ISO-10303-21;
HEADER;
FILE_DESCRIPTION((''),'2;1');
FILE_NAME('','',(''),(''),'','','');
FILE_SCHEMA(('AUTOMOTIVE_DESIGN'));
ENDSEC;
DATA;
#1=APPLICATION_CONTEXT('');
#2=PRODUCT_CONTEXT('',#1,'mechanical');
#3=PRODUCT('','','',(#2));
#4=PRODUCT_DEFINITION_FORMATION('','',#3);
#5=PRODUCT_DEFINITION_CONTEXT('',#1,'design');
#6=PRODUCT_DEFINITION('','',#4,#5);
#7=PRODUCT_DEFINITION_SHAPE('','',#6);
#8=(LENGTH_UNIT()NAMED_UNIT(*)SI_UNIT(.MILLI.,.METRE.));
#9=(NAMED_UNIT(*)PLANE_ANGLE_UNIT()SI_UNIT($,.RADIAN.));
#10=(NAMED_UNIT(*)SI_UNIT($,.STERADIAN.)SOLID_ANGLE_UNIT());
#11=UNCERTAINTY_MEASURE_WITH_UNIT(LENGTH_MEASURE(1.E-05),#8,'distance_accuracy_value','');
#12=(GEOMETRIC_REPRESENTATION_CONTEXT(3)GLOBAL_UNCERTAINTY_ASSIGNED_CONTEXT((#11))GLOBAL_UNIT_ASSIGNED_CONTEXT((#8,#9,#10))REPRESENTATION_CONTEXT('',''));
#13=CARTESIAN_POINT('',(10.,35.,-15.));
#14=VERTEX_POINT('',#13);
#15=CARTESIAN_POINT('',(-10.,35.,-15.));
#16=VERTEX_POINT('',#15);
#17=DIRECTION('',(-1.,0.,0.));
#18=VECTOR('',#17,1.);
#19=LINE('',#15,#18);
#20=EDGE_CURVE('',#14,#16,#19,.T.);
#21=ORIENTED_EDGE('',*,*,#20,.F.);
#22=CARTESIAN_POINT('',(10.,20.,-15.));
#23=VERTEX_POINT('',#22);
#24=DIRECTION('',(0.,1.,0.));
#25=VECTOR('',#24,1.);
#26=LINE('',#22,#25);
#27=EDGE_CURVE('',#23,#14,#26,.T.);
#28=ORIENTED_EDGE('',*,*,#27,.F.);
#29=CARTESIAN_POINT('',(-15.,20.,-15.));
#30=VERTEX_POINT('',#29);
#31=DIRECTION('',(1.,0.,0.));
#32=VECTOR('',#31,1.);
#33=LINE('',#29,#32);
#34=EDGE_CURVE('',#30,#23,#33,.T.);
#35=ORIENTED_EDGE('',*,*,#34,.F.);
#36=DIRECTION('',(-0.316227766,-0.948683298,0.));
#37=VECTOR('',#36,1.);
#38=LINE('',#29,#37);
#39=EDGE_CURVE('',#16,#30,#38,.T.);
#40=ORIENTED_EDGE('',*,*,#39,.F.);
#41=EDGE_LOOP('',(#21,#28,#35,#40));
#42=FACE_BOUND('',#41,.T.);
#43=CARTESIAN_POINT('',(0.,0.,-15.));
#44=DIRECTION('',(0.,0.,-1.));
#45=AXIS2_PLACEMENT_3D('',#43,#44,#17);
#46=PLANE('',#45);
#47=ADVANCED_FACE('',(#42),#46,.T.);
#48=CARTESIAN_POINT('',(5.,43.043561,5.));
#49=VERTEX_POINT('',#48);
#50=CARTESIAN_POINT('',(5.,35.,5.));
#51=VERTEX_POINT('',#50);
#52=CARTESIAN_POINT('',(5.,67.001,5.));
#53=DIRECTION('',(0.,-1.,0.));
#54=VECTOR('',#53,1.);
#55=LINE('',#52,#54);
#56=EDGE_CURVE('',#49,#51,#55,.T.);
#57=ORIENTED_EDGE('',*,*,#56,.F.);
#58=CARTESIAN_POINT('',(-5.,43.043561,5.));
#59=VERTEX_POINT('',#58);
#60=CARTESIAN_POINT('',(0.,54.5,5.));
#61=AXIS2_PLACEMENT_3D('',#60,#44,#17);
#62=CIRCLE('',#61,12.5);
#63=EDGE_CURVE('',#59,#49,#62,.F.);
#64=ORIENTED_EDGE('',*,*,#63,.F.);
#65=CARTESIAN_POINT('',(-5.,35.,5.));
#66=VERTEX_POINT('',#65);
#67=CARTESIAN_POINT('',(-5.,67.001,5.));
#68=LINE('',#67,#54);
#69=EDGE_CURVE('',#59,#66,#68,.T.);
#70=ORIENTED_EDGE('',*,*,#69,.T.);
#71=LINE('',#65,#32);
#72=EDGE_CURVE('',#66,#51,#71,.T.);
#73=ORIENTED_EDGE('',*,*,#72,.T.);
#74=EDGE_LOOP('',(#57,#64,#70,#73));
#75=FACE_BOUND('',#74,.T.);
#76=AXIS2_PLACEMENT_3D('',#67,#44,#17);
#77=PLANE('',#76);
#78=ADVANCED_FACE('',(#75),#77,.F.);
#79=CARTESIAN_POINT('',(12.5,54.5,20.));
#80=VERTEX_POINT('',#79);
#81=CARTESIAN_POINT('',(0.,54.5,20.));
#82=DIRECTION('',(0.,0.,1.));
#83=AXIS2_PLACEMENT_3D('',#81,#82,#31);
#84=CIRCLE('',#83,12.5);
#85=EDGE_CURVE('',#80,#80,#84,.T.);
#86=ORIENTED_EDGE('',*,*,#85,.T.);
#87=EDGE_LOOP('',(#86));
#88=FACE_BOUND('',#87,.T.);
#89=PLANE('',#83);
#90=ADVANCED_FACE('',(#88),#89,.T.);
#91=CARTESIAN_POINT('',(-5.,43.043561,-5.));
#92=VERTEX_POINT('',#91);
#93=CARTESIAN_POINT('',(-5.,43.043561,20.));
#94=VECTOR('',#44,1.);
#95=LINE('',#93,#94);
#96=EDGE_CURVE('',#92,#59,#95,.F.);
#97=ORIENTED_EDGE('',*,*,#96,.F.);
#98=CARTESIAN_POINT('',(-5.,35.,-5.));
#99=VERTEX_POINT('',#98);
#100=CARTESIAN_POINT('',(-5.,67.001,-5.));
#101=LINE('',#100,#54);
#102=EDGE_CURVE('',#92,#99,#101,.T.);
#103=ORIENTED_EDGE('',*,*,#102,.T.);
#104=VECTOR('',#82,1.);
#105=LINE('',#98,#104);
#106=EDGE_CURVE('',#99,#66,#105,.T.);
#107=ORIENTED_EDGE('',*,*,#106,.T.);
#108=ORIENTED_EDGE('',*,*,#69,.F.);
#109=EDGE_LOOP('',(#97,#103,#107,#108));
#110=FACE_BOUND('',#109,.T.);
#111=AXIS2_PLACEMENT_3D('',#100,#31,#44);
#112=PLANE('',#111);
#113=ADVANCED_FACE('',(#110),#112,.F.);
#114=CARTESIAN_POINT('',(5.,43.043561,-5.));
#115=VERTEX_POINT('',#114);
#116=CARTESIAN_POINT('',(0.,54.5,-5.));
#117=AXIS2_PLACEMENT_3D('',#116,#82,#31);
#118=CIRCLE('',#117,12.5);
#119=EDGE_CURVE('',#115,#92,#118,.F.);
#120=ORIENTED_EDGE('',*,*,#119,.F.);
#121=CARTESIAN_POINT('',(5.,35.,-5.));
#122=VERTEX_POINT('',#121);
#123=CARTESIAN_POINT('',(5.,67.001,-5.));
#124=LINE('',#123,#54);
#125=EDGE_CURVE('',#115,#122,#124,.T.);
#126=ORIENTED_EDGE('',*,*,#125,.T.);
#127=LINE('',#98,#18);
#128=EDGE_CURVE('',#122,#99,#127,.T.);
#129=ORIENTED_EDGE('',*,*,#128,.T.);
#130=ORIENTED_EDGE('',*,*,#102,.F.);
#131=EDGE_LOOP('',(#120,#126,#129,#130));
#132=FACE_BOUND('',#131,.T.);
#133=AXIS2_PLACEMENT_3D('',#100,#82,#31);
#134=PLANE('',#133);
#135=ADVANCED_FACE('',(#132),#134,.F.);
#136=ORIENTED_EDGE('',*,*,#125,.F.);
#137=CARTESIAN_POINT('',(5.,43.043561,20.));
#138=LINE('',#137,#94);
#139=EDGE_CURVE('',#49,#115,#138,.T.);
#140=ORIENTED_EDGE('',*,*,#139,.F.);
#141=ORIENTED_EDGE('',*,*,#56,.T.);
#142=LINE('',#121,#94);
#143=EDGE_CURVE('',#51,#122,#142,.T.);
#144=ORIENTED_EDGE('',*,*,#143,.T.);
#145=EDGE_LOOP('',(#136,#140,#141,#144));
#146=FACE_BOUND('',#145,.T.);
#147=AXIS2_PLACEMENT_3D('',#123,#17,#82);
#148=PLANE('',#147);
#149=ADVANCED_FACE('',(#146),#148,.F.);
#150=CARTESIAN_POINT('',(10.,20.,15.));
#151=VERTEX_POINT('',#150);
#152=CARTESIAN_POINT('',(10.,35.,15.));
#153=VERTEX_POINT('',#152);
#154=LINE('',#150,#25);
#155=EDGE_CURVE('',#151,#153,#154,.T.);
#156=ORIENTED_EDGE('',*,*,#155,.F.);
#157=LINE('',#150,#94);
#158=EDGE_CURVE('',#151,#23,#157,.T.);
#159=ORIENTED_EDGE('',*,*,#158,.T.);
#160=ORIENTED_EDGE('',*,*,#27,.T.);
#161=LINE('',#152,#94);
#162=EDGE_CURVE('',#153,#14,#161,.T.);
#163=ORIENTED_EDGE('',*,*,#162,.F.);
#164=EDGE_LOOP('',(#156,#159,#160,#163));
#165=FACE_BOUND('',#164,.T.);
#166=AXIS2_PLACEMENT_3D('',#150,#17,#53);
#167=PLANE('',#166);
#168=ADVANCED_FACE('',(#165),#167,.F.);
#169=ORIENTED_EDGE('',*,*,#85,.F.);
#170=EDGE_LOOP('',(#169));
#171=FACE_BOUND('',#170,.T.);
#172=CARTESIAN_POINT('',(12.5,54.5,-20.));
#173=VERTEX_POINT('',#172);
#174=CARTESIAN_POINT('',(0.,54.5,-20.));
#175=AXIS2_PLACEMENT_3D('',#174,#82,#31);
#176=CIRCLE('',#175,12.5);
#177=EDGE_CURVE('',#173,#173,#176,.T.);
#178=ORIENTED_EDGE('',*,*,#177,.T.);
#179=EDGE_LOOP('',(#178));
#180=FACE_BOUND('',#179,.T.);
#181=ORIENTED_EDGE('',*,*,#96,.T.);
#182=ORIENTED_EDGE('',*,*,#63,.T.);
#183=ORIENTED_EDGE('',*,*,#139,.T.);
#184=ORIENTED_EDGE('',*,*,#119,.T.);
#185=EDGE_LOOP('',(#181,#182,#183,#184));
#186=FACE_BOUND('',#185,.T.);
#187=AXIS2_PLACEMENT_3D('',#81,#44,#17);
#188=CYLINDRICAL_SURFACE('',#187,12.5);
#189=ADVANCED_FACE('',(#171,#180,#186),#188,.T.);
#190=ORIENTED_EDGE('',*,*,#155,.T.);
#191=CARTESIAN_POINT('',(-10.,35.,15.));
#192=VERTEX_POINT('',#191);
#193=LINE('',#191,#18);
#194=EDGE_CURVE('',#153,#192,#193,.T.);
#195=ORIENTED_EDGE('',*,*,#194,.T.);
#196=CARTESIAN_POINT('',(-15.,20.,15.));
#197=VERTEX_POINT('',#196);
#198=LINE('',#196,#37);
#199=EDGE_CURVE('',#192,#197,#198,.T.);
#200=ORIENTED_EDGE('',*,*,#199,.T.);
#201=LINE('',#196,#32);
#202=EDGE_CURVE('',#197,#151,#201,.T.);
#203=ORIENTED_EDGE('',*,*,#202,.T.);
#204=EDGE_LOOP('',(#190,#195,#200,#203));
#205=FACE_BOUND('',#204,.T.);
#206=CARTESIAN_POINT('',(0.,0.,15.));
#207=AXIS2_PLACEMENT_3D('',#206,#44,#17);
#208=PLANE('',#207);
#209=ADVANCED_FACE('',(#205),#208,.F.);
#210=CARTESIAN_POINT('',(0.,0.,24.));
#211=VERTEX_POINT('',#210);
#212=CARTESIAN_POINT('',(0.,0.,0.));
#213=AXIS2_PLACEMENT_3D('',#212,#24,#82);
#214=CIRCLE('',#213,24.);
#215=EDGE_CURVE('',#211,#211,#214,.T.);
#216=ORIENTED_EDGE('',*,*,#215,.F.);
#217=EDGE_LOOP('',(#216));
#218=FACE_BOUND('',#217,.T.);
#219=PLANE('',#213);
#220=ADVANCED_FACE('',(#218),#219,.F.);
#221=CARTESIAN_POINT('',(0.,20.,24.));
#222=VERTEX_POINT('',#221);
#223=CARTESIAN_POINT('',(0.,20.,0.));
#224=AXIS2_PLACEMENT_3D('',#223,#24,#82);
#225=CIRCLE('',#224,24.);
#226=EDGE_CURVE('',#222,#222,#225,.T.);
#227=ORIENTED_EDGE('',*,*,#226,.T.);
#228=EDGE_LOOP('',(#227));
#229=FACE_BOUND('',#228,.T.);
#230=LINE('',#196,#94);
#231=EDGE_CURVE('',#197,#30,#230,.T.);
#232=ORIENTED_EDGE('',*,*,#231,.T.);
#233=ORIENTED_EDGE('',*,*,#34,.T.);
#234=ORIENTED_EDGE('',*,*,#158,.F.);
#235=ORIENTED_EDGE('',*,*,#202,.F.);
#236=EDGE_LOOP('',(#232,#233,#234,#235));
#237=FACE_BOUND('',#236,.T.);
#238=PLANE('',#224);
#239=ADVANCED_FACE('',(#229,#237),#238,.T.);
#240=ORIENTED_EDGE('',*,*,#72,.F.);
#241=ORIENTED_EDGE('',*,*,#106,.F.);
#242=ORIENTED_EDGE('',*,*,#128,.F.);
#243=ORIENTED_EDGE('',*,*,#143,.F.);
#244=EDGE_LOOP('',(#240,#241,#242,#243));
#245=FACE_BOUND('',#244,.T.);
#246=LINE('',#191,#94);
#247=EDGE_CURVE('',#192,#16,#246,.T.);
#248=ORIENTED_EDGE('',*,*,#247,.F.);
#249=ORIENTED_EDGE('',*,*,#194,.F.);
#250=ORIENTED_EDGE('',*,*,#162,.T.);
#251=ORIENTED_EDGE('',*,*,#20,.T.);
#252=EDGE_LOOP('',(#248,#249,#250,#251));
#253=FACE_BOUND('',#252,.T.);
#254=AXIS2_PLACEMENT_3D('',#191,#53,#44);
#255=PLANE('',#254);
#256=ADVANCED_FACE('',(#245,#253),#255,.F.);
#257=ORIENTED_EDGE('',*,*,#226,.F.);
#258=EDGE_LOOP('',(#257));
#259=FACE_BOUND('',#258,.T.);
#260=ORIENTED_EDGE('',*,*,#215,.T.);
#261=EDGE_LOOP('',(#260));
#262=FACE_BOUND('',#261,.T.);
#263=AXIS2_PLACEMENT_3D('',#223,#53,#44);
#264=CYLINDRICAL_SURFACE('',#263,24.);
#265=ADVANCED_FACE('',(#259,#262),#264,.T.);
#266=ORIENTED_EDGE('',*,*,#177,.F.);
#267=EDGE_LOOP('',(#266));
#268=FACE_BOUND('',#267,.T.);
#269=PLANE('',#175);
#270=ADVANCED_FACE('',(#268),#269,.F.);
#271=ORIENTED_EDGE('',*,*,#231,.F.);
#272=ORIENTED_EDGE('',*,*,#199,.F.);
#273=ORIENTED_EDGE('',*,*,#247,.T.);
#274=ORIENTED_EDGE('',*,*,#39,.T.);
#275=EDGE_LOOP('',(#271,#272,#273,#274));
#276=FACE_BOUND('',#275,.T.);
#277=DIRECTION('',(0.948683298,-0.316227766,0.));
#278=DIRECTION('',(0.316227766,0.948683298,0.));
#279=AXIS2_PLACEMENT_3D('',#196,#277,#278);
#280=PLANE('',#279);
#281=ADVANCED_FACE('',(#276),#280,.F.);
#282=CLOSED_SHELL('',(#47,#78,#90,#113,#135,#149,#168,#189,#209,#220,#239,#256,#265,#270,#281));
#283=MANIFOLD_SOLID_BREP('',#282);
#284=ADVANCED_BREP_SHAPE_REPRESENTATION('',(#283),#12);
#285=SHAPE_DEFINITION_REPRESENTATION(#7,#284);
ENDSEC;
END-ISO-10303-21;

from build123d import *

# Parameters (mm, degrees)
SKETCH1_R           = 24
BOSS_EXTRUDE1_DEPTH = 20
SKETCH4_R           = 12.5
BOSS_EXTRUDE3_DEPTH = 20
BOSS_EXTRUDE5_DEPTH = 15
SKETCH6_W           = 10
SKETCH6_H           = 10
BOSS_EXTRUDE6_DEPTH = 8.043561


with BuildPart() as part:
    # Sketch1 → Boss-Extrude1 (new body)
    with BuildSketch(Plane(origin=(0, 0, 0), x_dir=(1, 0, 0), z_dir=(0, 1, 0))):
        Circle(SKETCH1_R)
    extrude(amount=BOSS_EXTRUDE1_DEPTH)

    # Sketch5 → Boss-Extrude5 (add, symmetric)
    with BuildSketch(Plane.XY):
        Polygon((-15, 20), (10, 20), (10, 35), (-10, 35), align=None)
    extrude(amount=BOSS_EXTRUDE5_DEPTH, both=True)



with BuildPart() as body_2:
    # Sketch4 → Boss-Extrude3 (new body, symmetric)
    with BuildSketch(Plane.XY):
        with Locations((0, 54.5)):
            Circle(SKETCH4_R)
    extrude(amount=BOSS_EXTRUDE3_DEPTH, both=True)


with BuildPart() as part_1:
    add(part.part)

    add(body_2.part)  # Boss-Extrude6 merges body 2
    # Sketch6 → Boss-Extrude6 (add)
    with BuildSketch(Plane(origin=(0, 35, 0), x_dir=(1, 0, 0), z_dir=(0, 1, 0))):
        Rectangle(SKETCH6_W, SKETCH6_H)
    extrude(amount=BOSS_EXTRUDE6_DEPTH)


solid = part_1.part
